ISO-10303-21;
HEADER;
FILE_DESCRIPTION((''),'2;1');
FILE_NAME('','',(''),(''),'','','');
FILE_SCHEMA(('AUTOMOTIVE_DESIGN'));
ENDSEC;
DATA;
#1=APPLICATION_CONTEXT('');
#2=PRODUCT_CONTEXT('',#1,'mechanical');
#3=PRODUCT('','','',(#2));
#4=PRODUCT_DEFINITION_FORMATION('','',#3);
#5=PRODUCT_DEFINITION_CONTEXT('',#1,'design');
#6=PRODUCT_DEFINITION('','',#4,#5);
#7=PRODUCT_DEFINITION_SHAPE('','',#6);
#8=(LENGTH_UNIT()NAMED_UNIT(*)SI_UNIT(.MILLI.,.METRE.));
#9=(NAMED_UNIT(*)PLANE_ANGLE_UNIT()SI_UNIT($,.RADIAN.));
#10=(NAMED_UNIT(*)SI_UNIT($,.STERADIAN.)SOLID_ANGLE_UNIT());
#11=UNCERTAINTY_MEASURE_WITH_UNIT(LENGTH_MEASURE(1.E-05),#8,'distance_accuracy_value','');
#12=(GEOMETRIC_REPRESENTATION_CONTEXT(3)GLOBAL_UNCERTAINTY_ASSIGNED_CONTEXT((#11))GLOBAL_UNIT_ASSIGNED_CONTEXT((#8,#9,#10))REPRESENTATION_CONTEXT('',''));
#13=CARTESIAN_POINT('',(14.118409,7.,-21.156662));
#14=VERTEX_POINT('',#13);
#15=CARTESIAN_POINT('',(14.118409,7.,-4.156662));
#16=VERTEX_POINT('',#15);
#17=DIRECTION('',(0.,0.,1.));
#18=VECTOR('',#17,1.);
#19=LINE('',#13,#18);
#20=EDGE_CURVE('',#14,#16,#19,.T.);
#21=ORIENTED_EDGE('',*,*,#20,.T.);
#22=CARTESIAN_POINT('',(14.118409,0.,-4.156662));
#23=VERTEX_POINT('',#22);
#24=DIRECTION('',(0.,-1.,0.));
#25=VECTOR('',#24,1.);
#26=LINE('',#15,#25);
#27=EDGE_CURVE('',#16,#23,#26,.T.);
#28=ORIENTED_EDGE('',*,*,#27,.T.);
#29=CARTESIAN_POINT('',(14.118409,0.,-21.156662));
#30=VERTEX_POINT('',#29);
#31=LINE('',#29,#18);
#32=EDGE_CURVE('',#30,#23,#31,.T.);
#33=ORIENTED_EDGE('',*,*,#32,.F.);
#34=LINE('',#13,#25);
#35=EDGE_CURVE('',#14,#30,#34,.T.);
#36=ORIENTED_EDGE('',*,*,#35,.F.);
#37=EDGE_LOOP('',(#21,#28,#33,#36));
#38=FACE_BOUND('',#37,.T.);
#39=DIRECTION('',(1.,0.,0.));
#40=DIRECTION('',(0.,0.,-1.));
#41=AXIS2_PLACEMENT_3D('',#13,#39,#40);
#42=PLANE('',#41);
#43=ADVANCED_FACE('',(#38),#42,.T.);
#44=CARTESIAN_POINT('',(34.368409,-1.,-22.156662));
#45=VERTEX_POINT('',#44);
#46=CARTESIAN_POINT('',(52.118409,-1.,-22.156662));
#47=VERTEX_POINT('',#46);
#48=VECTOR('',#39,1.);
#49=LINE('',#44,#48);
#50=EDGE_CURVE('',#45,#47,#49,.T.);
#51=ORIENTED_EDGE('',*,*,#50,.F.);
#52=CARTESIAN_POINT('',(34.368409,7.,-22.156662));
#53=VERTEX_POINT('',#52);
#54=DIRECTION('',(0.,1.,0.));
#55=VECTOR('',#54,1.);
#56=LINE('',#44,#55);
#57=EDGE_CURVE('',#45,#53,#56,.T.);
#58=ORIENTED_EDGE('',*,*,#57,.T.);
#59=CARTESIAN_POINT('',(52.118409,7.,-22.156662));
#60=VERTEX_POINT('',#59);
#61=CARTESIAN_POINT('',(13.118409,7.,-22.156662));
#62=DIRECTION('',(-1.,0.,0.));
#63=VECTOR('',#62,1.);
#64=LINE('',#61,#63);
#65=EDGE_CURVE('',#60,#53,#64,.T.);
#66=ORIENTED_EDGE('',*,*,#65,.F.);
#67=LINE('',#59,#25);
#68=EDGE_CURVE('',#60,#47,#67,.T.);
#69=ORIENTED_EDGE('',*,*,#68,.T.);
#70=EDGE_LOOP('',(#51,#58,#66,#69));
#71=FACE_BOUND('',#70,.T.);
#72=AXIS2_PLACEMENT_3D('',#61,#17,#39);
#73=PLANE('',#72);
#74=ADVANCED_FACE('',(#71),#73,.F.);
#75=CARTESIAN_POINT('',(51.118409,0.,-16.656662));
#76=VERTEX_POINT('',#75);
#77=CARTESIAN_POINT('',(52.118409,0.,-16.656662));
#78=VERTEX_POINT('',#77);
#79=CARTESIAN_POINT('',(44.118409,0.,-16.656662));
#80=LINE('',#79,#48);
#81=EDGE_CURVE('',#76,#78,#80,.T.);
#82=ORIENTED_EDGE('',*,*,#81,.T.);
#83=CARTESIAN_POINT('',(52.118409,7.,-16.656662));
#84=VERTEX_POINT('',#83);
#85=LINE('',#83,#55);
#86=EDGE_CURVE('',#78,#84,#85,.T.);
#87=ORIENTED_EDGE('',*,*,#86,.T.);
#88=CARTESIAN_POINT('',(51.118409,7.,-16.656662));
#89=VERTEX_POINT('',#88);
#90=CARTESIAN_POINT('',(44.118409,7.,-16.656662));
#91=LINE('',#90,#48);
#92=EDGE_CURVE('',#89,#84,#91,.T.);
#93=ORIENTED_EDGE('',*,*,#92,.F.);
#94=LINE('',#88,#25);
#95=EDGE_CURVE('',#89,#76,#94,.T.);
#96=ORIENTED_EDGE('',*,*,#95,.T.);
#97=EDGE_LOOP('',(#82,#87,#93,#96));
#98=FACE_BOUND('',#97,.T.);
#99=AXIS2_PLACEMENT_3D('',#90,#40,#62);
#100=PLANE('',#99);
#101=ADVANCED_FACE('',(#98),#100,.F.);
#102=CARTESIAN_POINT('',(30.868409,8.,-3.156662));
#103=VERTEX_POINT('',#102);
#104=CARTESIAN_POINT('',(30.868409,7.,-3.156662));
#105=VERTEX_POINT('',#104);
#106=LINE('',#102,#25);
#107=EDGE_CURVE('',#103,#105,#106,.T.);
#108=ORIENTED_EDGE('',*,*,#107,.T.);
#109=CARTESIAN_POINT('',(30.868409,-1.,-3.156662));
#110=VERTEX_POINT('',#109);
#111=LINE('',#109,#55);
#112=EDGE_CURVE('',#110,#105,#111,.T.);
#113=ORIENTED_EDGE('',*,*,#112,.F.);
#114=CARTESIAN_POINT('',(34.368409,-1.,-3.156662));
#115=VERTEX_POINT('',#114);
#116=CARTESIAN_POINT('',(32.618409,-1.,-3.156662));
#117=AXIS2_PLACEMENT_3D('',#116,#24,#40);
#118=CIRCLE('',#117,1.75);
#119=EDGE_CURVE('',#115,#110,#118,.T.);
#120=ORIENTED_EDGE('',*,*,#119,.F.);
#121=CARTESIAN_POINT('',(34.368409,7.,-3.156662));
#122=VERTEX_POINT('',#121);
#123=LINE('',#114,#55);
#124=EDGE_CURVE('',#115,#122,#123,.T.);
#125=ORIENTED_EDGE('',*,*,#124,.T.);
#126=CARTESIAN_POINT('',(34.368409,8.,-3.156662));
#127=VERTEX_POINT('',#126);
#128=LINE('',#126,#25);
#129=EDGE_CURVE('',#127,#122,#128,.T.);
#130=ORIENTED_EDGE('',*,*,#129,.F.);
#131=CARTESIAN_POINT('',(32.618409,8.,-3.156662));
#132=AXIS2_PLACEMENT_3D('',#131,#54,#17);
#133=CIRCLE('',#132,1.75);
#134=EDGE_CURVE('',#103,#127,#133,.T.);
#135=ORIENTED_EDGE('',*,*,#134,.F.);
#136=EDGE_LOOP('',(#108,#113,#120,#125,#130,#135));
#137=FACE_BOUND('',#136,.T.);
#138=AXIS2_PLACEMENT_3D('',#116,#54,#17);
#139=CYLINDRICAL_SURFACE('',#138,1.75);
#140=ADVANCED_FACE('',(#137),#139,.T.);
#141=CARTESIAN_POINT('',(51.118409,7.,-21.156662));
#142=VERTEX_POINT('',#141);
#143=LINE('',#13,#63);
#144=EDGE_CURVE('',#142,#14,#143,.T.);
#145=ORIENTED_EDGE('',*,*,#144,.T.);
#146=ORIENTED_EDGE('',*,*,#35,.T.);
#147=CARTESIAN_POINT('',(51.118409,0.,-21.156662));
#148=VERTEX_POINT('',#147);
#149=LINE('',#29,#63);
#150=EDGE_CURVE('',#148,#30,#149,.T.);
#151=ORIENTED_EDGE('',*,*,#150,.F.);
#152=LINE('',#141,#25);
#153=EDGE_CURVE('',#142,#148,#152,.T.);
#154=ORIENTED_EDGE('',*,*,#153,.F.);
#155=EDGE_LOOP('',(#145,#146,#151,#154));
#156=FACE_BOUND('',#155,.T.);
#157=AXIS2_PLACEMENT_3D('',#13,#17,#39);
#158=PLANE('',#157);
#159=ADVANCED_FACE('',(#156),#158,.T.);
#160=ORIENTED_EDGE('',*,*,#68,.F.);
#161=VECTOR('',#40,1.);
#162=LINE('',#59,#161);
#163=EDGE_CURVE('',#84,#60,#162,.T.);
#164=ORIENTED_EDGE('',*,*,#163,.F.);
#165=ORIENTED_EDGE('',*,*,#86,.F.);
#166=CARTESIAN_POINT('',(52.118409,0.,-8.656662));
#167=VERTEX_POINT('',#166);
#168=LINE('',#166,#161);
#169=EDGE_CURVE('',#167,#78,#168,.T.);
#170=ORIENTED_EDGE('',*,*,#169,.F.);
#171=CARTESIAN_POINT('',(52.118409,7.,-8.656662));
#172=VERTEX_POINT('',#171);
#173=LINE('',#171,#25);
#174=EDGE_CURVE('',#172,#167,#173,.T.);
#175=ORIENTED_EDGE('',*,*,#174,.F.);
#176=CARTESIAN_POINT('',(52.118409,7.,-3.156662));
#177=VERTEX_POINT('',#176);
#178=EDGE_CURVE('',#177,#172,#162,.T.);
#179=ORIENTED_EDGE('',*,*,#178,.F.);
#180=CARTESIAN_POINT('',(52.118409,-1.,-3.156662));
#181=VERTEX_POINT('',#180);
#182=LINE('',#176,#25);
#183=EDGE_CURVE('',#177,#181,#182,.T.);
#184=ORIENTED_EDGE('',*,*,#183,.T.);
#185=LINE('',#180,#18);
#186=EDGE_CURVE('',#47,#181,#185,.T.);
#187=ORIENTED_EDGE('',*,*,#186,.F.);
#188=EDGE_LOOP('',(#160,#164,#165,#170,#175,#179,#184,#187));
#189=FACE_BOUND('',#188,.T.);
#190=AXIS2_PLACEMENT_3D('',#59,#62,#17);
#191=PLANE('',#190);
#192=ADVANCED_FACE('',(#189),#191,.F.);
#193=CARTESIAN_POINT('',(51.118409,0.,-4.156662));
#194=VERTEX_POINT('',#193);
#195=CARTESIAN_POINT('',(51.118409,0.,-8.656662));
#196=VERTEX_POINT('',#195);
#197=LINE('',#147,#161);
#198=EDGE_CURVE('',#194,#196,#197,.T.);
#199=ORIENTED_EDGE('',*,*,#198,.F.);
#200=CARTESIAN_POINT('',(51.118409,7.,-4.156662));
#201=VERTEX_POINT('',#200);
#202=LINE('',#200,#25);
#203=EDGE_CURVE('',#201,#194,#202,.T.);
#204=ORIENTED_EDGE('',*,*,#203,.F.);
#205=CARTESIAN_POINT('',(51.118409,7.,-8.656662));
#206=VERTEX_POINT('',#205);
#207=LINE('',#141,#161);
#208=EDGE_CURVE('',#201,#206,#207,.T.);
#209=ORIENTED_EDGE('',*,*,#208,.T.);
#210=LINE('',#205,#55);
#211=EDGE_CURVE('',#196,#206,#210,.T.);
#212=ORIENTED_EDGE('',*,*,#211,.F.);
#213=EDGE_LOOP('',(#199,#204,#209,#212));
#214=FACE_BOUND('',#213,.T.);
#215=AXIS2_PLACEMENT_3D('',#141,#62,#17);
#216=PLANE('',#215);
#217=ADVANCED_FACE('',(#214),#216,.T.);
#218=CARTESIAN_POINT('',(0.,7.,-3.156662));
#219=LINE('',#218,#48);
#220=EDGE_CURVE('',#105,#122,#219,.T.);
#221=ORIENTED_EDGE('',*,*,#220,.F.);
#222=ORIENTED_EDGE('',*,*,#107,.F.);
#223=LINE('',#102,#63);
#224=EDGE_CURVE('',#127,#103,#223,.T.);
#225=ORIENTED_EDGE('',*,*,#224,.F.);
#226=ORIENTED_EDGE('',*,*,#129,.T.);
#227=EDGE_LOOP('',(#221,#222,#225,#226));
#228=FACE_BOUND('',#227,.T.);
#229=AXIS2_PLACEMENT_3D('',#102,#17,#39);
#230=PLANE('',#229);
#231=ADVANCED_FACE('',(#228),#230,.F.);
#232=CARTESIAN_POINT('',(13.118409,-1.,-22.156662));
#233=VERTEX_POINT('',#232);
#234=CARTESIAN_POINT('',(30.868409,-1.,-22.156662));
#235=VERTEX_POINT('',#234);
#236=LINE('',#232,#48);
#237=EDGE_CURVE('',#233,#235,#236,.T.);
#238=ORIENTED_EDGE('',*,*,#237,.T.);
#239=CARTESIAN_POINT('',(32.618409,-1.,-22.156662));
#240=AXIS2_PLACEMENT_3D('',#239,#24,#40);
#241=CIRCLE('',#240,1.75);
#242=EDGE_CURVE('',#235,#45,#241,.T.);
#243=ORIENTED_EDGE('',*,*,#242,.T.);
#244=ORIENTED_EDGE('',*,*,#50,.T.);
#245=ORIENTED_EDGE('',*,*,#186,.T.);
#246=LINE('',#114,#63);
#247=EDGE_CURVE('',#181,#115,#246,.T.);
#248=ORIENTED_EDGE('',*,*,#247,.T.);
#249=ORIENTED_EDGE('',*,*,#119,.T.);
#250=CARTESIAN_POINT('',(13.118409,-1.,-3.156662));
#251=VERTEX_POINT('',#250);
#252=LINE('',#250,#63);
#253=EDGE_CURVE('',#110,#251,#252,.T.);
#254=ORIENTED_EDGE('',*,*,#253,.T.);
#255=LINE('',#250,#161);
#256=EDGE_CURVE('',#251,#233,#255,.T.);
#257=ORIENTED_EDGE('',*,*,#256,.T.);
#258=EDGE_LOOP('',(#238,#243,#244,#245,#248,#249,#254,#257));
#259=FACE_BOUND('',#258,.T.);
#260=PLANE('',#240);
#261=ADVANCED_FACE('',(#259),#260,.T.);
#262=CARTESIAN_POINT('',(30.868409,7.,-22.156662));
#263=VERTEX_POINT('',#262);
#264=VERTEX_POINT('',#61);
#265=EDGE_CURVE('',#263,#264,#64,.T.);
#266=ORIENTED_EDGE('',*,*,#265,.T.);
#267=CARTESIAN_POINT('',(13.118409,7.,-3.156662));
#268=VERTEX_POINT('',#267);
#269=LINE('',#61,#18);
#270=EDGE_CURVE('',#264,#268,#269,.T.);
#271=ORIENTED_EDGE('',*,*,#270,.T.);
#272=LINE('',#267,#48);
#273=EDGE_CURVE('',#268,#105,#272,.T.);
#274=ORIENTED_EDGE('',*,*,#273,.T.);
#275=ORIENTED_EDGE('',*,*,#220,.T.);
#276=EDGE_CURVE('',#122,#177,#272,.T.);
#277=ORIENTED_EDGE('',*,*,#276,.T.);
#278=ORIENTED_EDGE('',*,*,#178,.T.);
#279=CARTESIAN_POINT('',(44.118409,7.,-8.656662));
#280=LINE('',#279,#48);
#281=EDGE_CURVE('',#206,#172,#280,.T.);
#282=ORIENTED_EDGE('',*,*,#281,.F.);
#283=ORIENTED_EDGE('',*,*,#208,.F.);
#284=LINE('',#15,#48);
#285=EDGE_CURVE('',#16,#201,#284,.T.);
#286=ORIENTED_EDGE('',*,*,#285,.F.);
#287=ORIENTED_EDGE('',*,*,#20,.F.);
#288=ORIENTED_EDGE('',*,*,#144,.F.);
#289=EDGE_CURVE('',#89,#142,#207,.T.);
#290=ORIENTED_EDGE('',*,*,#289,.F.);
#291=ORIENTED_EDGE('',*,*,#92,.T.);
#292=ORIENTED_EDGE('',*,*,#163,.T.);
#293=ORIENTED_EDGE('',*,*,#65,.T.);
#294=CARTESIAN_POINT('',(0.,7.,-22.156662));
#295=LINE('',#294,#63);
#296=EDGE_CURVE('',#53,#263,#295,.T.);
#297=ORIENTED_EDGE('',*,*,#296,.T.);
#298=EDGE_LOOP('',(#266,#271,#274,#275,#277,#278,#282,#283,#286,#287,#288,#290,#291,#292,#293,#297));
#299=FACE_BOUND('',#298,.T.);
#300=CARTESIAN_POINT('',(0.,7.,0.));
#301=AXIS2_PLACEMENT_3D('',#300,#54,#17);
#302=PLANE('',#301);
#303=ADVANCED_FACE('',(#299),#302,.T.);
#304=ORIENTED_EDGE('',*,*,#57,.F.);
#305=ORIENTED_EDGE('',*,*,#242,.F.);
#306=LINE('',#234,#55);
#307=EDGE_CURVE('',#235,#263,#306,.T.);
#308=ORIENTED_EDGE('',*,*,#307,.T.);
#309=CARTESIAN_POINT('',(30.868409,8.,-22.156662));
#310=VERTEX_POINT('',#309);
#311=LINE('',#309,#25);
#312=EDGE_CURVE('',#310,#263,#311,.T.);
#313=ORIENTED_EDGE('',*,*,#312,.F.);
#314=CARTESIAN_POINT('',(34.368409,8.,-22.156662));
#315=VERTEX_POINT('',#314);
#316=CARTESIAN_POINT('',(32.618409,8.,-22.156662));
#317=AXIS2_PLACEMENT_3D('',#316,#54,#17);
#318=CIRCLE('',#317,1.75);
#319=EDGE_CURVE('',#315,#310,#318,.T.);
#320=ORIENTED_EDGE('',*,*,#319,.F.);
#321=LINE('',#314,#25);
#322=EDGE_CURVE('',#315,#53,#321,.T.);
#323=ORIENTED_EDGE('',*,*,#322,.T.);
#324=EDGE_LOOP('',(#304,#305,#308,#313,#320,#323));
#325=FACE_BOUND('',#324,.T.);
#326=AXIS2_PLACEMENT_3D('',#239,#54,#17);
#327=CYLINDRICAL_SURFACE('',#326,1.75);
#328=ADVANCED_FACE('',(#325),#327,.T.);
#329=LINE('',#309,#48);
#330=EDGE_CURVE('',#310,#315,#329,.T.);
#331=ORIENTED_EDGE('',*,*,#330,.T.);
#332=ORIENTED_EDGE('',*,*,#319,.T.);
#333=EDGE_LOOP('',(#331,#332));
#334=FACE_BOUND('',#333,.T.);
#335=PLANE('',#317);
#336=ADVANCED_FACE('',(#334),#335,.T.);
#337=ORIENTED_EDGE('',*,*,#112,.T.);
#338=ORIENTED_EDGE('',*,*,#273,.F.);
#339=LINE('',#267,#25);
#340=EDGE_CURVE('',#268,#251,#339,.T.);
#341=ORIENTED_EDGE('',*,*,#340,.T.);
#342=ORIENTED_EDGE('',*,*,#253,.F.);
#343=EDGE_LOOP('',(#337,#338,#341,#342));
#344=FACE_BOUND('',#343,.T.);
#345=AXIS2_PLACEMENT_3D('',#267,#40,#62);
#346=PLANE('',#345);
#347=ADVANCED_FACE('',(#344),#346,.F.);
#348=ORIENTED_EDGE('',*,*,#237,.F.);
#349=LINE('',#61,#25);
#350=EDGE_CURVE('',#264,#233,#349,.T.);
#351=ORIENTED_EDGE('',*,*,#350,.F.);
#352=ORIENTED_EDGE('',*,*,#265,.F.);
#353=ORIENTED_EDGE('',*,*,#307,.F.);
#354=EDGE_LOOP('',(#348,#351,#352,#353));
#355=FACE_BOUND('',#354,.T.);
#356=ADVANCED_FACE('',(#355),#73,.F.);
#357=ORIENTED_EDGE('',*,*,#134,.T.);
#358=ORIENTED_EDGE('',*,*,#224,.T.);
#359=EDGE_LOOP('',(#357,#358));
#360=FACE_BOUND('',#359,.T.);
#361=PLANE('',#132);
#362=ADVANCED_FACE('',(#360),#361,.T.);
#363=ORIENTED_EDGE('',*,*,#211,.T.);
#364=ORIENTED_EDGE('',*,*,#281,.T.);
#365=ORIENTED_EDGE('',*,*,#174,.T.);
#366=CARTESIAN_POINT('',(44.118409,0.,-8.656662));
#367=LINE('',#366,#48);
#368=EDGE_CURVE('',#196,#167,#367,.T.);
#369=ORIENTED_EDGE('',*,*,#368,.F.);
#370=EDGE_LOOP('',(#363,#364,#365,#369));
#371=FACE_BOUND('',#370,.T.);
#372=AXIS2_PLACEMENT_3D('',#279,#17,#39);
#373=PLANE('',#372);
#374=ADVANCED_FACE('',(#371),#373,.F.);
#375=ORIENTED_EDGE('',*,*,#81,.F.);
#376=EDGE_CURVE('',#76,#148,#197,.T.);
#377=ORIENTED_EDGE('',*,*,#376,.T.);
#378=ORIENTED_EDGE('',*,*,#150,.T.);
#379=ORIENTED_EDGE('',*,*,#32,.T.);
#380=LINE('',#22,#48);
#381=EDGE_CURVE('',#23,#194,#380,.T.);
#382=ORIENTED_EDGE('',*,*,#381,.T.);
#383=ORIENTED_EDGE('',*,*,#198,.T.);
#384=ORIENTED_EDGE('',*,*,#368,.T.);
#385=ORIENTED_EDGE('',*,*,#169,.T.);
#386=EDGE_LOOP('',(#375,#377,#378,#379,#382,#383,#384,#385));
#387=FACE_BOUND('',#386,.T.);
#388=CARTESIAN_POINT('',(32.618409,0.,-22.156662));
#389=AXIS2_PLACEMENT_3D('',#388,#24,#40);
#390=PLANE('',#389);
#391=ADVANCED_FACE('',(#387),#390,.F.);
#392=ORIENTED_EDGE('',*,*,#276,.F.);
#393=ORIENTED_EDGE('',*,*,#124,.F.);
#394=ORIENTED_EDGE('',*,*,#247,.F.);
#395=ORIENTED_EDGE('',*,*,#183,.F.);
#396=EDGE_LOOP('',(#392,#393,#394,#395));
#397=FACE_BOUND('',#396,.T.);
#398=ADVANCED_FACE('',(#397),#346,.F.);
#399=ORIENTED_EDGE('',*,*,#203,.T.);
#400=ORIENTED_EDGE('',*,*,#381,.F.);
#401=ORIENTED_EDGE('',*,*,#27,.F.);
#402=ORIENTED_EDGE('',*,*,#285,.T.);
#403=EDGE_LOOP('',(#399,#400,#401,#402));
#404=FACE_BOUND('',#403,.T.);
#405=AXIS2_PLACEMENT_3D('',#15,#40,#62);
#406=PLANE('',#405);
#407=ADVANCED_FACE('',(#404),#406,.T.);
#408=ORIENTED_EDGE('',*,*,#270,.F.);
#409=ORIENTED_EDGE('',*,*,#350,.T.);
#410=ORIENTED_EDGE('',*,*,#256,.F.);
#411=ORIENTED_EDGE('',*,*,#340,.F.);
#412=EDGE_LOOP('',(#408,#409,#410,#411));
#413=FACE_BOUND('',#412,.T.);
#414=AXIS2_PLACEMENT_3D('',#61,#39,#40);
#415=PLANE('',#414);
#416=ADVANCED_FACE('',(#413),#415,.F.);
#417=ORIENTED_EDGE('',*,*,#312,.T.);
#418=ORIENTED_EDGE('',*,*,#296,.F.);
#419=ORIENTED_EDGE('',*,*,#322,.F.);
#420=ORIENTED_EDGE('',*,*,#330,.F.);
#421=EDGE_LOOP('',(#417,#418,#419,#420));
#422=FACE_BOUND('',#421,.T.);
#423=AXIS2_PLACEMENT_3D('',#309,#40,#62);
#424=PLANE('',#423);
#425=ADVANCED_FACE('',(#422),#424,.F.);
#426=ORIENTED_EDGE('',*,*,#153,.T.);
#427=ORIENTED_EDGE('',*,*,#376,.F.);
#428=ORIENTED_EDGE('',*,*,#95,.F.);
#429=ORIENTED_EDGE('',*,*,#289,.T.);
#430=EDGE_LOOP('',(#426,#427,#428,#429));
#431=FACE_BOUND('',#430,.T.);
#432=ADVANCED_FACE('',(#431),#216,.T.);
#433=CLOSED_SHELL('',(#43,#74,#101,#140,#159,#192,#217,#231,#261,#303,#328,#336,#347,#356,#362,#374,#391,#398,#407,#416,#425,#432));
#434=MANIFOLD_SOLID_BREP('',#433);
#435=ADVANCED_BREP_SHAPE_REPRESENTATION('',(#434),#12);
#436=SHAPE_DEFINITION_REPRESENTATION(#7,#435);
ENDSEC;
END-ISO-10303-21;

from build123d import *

# Parameters (mm, degrees)
SKETCH1_W           = 39
SKETCH1_H           = 19
SKETCH1_W_2         = 37
SKETCH1_H_2         = 17
BOSS_EXTRUDE1_DEPTH = 7
BOSS_EXTRUDE2_DEPTH = 1
BOSS_EXTRUDE3_START = 8
BOSS_EXTRUDE3_DEPTH = 8
SKETCH4_W           = 8
SKETCH4_H           = 7
CUT_EXTRUDE1_DEPTH  = 8


with BuildPart() as part:
    # Sketch1 → Boss-Extrude1 (new body)
    with BuildSketch(Plane(origin=(0, 0, 0), x_dir=(1, 0, 0), z_dir=(0, 1, 0))):
        with Locations((32.618409138, 12.656662155)):
            Rectangle(SKETCH1_W, SKETCH1_H)
        with Locations((32.618409138, 12.656662155)):
            Rectangle(SKETCH1_W_2, SKETCH1_H_2, mode=Mode.SUBTRACT)
    extrude(amount=BOSS_EXTRUDE1_DEPTH)

    # Sketch2 → Boss-Extrude2 (add)
    with BuildSketch(Plane.XZ):
        with BuildLine():
            Line((13.118409138, -3.156662155), (30.868409138, -3.156662155))
            ThreePointArc((30.868409138, -3.156662155), (32.618409138, -1.406662155), (34.368409138, -3.156662155))
            Line((34.368409138, -3.156662155), (52.118409138, -3.156662155))
            Line((52.118409138, -3.156662155), (52.118409138, -22.156662155))
            Line((52.118409138, -22.156662155), (34.368409138, -22.156662155))
            ThreePointArc((34.368409138, -22.156662155), (32.618409138, -23.906662155), (30.868409138, -22.156662155))
            Line((30.868409138, -22.156662155), (13.118409138, -22.156662155))
            Line((13.118409138, -22.156662155), (13.118409138, -3.156662155))
        make_face()
    extrude(amount=BOSS_EXTRUDE2_DEPTH)

    # Sketch3 → Boss-Extrude3 (add)
    with BuildSketch(Plane(origin=(0, 0, 0), x_dir=(1, 0, 0), z_dir=(0, 1, 0)).offset(BOSS_EXTRUDE3_START)):
        with BuildLine():
            Line((30.868409138, 22.156662155), (34.368409138, 22.156662155))
            ThreePointArc((34.368409138, 22.156662155), (32.618409138, 23.906662155), (30.868409138, 22.156662155))
        make_face()
        with BuildLine():
            Line((30.868409138, 3.156662155), (34.368409138, 3.156662155))
            ThreePointArc((34.368409138, 3.156662155), (32.618409138, 1.406662155), (30.868409138, 3.156662155))
        make_face()
    extrude(amount=-BOSS_EXTRUDE3_DEPTH)

    # Sketch4 → Cut-Extrude1 (cut)
    with BuildSketch(Plane(origin=(52.118409138, 0, 0), x_dir=(0, 0, -1), z_dir=(1, 0, 0))):
        with Locations((12.656662155, 3.5)):
            Rectangle(SKETCH4_W, SKETCH4_H)
    extrude(amount=-CUT_EXTRUDE1_DEPTH, mode=Mode.SUBTRACT)


solid = part.part
